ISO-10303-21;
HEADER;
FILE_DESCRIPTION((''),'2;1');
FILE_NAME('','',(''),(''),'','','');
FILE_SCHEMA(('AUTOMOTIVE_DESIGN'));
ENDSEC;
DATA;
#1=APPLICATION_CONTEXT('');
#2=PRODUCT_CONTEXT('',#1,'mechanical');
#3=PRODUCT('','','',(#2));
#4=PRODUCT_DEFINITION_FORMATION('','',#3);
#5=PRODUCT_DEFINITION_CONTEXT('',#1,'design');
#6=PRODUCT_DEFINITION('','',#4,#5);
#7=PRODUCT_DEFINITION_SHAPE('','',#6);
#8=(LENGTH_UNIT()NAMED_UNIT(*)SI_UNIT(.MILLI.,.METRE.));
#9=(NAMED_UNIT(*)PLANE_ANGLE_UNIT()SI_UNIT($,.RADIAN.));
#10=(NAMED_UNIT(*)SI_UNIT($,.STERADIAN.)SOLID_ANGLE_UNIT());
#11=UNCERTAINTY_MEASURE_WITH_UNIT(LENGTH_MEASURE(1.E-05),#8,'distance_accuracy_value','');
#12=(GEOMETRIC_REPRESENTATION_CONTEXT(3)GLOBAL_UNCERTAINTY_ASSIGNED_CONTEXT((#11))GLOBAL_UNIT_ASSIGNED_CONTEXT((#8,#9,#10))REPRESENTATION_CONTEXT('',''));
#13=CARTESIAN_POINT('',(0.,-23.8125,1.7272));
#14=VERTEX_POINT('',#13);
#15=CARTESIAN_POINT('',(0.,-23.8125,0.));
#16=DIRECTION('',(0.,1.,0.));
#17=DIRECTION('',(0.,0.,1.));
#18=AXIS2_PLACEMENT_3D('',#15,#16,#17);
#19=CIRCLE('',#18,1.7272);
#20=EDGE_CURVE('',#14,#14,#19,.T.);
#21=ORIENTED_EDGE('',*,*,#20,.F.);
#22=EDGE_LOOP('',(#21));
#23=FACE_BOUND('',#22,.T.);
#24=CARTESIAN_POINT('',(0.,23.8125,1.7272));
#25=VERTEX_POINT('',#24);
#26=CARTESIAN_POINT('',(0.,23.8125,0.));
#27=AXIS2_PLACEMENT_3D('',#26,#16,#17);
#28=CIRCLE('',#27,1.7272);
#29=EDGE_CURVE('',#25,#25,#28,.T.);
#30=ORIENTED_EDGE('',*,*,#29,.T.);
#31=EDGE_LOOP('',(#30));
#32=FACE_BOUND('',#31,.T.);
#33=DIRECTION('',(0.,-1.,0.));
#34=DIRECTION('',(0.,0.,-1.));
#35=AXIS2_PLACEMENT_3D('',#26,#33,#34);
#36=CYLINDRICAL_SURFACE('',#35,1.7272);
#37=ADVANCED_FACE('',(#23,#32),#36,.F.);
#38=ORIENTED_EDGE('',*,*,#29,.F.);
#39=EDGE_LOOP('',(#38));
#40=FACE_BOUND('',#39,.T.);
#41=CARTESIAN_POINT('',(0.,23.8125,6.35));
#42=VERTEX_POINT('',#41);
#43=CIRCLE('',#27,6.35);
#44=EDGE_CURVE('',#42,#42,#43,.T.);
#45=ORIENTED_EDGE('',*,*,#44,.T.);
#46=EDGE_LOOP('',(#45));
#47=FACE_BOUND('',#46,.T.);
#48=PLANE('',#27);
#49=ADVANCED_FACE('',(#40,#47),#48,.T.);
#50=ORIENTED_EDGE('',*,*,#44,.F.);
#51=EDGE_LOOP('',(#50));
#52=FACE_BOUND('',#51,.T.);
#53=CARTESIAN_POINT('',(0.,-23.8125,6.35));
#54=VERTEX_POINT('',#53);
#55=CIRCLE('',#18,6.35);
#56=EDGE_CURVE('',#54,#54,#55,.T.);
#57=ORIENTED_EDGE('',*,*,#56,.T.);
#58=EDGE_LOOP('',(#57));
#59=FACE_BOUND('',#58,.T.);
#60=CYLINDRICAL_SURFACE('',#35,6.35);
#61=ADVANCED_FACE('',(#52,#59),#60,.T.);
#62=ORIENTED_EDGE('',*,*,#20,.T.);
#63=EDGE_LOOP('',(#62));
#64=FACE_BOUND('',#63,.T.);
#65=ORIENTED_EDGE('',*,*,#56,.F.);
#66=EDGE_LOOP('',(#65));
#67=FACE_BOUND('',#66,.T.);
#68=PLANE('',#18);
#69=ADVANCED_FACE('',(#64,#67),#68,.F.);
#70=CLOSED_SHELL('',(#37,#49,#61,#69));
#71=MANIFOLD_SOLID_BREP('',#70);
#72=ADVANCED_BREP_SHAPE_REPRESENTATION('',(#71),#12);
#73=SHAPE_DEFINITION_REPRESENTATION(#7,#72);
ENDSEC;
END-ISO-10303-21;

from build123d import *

# Parameters (mm, degrees)
SKETCH1_R           = 6.35
SKETCH1_R_2         = 1.7272
BOSS_EXTRUDE1_DEPTH = 23.8125


with BuildPart() as part:
    # Sketch1 → Boss-Extrude1 (new, symmetric)
    with BuildSketch(Plane(origin=(0, 0, 0), x_dir=(1, 0, 0), z_dir=(0, 1, 0))):
        with Locations(Location((0, 0, 0), (0, 0, 270))):
            Circle(SKETCH1_R)
        with Locations(Location((0, 0, 0), (0, 0, 270))):
            Circle(SKETCH1_R_2, mode=Mode.SUBTRACT)
    extrude(amount=BOSS_EXTRUDE1_DEPTH, both=True)


solid = part.part
